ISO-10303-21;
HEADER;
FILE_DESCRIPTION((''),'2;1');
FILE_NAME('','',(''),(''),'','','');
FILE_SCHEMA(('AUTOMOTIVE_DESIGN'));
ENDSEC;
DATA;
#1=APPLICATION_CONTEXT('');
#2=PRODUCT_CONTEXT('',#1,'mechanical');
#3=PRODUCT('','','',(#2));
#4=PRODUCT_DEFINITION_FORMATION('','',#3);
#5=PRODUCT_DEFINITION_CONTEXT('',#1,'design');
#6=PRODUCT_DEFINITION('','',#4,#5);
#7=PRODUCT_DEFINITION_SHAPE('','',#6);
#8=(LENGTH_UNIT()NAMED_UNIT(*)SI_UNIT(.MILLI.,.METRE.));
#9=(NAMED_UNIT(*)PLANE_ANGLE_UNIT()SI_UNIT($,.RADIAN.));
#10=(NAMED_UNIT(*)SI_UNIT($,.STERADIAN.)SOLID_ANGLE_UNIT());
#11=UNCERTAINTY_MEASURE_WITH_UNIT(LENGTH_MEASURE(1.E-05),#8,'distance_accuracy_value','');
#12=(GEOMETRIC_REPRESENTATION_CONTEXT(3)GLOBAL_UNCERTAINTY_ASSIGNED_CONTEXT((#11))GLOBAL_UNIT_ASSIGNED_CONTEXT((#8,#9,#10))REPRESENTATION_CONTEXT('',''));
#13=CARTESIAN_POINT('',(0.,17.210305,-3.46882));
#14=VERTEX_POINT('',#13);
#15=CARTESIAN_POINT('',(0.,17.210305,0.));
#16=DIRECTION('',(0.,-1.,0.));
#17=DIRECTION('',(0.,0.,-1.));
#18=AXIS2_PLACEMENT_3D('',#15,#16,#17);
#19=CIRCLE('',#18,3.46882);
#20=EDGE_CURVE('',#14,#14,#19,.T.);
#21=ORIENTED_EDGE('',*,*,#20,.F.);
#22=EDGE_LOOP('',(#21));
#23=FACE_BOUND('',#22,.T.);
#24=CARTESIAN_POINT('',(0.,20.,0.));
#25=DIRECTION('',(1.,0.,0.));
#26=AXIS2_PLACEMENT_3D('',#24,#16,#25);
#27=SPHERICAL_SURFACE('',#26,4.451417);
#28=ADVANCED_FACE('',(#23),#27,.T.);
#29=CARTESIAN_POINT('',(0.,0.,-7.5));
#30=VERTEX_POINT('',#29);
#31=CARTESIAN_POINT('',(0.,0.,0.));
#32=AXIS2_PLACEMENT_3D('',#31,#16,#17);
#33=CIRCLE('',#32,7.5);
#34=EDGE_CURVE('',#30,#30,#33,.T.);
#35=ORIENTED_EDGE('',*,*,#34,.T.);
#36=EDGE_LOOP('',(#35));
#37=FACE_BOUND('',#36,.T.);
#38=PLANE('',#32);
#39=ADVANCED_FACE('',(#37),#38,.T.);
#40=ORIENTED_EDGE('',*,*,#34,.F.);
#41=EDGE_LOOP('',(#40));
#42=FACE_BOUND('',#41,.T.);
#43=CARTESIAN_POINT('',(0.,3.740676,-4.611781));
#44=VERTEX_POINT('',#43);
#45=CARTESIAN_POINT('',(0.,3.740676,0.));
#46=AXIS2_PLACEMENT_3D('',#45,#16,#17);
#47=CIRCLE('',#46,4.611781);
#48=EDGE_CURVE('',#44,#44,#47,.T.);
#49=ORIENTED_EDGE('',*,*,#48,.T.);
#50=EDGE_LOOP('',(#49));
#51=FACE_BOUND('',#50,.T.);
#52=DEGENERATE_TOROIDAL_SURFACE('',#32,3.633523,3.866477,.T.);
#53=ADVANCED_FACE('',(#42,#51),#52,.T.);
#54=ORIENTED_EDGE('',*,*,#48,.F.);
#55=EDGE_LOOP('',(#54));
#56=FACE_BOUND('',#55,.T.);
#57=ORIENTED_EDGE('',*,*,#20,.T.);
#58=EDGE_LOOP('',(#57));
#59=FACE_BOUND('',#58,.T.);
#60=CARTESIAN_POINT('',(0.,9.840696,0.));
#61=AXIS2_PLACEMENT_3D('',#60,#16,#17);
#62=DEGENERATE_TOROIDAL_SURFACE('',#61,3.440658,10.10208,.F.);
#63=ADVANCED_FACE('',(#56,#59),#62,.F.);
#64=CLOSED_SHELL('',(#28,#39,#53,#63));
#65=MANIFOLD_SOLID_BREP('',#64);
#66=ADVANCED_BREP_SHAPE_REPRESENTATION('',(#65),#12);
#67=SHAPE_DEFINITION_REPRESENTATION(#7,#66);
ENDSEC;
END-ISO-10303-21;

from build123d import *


with BuildPart() as part:
    # Sketch1 → Revolve1 (revolve)
    with BuildSketch(Plane.XY, mode=Mode.PRIVATE) as revolve1_sk:
        with BuildLine():
            Line((0, 0), (7.5, 0))
            ThreePointArc((7.5, 0), (6.693919622, 2.362967767), (4.61178063, 3.740675814))
            ThreePointArc((4.61178063, 3.740675814), (6.625248181, 10.694835038), (3.468820409, 17.210304767))
            ThreePointArc((3.468820409, 17.210304767), (4.01454927, 21.923150716), (0, 24.451417136))
            Line((0, 24.451417136), (0, 0))
        make_face()
    revolve(revolve1_sk.sketch.rotate(Axis((0, -23.585055485, 0), (0, 1, 0)), 90), axis=Axis((0, -23.585055485, 0), (0, 1, 0)))


solid = part.part
